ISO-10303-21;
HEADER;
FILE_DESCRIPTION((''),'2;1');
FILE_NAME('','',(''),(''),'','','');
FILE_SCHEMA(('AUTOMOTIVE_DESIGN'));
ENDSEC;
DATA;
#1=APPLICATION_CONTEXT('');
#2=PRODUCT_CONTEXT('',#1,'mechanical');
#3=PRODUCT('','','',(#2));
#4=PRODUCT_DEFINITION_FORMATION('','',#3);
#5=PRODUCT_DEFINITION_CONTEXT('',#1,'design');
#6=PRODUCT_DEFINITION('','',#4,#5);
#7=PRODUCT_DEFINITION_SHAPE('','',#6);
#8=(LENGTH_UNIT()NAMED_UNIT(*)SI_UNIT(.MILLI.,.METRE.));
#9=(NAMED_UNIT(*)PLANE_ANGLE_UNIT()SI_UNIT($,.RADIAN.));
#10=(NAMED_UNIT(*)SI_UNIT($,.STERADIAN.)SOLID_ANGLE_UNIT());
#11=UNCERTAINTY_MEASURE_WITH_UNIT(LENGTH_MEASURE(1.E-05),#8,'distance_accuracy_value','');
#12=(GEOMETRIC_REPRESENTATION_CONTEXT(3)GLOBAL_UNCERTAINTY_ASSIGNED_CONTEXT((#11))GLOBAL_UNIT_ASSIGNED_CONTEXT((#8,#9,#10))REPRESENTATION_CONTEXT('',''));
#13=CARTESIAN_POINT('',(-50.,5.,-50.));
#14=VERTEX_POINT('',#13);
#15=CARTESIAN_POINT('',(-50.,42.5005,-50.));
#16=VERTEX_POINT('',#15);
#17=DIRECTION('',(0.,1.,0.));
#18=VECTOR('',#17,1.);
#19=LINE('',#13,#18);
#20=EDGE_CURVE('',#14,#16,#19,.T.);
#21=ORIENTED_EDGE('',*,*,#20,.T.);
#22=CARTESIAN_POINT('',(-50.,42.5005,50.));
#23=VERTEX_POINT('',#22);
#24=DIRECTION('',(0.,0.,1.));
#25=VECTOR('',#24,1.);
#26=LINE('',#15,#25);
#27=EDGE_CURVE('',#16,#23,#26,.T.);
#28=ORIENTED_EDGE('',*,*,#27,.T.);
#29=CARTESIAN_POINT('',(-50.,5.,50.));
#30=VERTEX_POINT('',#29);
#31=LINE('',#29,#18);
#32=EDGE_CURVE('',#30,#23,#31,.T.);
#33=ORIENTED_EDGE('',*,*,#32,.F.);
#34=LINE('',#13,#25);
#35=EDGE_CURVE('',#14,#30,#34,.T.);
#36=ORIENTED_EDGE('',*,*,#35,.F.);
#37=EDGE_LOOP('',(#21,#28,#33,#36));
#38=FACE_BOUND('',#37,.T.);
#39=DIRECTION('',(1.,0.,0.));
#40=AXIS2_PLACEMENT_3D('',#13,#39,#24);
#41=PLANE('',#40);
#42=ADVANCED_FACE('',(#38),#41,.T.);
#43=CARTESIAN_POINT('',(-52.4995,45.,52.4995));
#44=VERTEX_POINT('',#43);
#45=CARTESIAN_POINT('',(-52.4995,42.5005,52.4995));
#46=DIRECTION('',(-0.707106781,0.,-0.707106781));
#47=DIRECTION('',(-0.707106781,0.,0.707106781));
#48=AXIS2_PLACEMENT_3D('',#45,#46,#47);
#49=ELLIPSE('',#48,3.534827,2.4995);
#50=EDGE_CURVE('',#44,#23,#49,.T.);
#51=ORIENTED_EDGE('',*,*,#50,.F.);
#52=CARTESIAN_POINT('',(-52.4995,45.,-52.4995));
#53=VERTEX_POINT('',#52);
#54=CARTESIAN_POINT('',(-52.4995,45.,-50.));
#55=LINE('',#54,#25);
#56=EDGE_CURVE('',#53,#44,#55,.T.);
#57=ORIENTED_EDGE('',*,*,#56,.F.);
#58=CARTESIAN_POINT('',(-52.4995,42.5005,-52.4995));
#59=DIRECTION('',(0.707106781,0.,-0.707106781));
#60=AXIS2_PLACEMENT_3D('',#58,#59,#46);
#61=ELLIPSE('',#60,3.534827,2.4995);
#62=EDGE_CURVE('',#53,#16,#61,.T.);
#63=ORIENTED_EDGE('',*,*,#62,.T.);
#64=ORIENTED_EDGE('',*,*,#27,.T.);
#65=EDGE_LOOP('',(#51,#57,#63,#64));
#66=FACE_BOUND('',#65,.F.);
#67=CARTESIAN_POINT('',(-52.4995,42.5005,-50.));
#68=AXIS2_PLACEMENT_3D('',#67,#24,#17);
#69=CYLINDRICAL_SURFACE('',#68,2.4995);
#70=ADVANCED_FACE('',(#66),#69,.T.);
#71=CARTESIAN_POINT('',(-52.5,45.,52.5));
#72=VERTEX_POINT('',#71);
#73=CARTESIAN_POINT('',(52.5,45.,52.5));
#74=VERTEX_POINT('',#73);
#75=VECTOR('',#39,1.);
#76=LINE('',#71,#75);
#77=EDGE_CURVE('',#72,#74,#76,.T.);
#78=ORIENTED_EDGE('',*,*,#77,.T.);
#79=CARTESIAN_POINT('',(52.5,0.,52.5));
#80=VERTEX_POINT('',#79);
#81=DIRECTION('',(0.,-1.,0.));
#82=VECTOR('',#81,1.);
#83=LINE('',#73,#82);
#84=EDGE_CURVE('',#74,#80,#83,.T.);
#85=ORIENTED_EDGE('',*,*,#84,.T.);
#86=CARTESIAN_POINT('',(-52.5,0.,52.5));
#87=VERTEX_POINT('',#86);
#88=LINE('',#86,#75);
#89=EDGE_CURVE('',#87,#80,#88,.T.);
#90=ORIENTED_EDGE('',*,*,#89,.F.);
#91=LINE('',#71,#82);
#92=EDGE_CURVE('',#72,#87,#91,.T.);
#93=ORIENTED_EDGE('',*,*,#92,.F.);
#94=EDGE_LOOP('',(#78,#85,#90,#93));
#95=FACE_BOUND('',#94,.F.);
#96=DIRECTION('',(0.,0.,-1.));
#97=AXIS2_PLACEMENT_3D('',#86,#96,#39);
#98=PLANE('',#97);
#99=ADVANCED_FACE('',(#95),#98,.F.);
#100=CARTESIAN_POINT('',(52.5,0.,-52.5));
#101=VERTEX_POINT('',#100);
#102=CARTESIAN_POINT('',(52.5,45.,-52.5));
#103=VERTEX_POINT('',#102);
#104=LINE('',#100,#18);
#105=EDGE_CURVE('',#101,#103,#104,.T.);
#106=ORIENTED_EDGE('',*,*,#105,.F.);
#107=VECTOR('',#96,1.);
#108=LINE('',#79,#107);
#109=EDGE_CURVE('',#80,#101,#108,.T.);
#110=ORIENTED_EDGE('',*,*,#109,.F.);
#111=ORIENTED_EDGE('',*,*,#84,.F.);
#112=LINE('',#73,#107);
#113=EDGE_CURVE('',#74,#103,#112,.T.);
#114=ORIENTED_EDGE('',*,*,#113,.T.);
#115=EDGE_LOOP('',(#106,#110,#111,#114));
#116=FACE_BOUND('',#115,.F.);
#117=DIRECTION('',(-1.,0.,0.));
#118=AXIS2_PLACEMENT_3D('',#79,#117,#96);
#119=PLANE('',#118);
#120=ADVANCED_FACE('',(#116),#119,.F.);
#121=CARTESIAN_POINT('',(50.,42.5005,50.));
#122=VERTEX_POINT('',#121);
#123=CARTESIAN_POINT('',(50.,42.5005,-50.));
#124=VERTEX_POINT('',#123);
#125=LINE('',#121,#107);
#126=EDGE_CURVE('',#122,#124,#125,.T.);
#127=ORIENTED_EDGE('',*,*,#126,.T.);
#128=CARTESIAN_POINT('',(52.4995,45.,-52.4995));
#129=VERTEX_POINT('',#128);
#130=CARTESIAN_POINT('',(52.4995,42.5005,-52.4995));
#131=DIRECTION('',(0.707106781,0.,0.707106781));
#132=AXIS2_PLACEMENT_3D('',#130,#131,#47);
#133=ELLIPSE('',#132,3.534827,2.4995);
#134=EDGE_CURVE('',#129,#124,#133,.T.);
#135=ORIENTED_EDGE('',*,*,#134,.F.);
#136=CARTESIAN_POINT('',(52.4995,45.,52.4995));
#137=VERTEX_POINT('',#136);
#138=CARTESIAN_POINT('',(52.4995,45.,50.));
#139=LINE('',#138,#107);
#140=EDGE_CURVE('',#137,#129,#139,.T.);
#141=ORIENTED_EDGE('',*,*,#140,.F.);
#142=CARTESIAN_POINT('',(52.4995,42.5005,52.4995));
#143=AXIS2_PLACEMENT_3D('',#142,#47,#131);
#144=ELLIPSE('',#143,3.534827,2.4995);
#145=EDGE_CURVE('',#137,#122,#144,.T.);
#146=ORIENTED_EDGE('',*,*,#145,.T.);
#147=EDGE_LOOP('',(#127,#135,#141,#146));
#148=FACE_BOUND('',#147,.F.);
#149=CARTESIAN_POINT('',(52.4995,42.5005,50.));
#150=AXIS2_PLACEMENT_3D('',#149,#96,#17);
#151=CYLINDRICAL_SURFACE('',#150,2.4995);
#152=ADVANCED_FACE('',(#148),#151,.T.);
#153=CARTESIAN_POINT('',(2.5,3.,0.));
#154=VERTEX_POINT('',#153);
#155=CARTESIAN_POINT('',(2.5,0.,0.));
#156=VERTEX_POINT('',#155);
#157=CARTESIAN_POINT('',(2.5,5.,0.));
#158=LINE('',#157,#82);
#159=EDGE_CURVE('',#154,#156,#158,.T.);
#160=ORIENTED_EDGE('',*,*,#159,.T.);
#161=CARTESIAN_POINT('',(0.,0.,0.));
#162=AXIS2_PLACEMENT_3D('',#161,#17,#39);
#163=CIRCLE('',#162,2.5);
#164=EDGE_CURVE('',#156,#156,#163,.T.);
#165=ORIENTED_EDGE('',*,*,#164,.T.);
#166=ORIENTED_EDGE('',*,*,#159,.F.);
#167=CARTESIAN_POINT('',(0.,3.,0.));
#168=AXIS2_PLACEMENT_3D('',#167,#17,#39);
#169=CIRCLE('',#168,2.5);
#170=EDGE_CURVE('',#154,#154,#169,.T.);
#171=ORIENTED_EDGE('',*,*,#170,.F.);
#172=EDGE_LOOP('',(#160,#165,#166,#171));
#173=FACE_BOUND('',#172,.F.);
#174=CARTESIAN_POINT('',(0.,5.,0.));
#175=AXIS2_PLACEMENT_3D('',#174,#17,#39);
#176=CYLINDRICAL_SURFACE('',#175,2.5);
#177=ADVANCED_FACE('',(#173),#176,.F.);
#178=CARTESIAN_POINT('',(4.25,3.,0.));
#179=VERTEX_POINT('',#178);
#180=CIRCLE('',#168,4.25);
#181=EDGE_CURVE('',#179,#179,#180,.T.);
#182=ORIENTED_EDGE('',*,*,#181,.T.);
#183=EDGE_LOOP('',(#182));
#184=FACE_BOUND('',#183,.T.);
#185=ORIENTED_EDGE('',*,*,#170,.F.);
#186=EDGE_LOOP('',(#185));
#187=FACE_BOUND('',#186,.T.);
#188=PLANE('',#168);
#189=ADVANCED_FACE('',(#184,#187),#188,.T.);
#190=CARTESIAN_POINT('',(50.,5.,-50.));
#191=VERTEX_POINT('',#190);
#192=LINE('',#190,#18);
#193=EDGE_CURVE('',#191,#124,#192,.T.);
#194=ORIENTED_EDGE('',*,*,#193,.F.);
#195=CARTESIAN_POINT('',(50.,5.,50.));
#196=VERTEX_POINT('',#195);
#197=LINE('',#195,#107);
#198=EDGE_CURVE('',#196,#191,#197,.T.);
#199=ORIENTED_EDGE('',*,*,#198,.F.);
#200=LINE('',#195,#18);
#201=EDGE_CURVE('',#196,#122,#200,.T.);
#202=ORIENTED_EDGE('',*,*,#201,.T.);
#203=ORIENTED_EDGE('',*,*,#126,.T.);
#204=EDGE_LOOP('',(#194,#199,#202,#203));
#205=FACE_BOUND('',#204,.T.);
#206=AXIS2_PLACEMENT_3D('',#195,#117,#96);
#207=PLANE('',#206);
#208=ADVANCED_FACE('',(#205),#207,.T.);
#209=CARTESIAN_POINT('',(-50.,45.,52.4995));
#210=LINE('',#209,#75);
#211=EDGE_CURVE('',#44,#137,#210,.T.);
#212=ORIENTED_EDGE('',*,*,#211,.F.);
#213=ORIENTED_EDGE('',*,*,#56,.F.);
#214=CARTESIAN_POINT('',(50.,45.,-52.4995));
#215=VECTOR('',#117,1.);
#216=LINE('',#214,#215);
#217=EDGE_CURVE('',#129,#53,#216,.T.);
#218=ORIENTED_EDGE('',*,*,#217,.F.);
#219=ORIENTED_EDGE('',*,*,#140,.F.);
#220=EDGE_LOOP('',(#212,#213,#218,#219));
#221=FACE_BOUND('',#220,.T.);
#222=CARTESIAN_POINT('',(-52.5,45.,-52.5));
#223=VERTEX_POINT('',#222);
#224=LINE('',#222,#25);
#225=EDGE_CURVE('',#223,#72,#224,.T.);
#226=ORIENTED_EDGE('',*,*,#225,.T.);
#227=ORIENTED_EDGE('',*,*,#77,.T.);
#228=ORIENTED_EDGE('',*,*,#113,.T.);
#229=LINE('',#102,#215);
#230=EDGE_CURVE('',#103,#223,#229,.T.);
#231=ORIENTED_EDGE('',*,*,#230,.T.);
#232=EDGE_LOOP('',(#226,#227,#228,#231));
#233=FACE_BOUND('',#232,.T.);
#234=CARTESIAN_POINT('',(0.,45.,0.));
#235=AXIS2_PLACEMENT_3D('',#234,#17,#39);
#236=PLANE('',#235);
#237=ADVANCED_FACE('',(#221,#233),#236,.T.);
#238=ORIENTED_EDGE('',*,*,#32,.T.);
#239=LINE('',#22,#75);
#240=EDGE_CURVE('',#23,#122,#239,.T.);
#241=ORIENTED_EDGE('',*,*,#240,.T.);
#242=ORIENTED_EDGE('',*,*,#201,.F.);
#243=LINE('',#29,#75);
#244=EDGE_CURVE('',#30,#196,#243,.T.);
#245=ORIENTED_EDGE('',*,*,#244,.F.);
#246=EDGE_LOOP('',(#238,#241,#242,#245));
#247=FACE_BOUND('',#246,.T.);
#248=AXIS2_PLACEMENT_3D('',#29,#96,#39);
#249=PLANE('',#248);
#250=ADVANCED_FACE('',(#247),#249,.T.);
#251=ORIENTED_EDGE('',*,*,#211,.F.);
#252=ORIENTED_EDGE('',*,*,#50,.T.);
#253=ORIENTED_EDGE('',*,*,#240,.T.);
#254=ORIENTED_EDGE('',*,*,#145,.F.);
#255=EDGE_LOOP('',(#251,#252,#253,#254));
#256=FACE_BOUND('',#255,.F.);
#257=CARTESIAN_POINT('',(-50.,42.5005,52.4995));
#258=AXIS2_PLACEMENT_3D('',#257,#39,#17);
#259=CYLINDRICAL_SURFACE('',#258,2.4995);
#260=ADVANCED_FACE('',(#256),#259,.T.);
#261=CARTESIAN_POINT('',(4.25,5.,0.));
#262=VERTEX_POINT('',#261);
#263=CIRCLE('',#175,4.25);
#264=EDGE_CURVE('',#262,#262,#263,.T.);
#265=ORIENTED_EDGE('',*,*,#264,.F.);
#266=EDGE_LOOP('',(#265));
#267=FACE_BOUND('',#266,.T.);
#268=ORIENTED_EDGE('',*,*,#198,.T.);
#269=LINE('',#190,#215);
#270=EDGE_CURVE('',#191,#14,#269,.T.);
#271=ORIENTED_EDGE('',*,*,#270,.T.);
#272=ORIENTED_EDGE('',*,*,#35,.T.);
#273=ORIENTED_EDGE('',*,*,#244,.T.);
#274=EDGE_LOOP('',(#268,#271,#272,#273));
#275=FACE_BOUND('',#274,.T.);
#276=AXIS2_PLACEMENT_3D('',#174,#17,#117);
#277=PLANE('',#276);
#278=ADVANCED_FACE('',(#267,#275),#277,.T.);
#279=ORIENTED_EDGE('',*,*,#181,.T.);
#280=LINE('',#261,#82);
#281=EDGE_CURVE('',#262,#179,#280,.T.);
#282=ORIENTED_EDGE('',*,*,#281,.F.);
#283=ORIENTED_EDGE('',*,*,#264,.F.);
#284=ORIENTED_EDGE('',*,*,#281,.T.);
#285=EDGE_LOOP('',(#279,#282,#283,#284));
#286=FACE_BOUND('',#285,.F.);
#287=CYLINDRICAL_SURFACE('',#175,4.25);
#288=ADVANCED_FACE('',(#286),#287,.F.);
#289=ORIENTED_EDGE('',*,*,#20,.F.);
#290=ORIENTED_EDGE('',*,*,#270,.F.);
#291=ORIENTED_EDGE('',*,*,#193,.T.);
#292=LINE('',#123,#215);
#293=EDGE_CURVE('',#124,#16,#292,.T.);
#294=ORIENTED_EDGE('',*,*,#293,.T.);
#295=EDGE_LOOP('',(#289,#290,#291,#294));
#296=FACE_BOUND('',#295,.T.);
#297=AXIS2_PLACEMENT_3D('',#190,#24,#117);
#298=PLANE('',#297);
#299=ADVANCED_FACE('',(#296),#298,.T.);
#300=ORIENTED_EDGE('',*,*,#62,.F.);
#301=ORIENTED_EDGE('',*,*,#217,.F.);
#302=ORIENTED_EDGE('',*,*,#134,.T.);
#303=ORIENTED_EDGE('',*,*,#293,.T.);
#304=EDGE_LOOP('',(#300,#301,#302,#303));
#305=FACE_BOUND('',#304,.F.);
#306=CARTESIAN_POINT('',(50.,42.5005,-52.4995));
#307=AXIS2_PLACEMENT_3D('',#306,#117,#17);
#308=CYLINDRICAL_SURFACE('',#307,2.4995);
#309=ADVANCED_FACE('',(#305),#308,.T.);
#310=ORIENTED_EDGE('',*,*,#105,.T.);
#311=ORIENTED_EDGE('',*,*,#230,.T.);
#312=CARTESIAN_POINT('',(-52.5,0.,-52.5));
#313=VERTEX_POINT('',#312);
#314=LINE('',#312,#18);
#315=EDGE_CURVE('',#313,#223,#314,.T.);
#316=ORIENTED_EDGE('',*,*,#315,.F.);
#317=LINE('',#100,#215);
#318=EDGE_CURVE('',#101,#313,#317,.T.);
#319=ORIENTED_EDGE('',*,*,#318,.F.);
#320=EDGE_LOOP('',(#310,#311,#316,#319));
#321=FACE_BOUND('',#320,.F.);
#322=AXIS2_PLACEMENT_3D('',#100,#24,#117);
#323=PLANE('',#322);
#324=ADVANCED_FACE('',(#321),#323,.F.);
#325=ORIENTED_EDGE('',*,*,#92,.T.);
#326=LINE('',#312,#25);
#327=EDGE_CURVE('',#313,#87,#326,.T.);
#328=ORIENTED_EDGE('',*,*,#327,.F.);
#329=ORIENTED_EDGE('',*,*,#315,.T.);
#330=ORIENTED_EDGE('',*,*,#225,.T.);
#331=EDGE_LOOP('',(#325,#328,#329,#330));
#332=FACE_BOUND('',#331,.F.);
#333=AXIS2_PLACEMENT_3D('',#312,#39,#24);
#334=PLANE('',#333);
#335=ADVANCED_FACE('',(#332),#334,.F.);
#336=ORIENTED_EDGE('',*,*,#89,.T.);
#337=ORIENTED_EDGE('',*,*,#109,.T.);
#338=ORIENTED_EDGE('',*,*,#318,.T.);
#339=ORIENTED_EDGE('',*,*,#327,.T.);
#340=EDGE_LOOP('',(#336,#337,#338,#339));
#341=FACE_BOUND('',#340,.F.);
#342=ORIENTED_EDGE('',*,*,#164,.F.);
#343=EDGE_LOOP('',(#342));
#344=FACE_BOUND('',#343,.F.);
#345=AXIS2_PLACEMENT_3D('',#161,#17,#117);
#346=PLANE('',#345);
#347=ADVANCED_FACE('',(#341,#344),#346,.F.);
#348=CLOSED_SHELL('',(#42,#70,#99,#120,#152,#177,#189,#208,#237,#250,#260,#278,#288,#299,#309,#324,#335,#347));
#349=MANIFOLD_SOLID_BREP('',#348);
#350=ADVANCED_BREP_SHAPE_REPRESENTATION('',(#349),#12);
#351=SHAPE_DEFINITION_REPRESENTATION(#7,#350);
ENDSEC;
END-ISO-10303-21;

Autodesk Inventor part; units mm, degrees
ref_plane "YZ Plane" through (0, 0, 0) normal (1, 0, 0) x (0, 1, 0)
ref_plane "XZ Plane" through (0, 0, 0) normal (0, 1, 0) x (-1, 0, 0)
ref_plane "XY Plane" through (0, 0, 0) normal (0, 0, 1) x (1, 0, 0)
sketch "Sketch1" plane through (0, 0, 0) normal (0, 1, 0) x (-1, 0, 0)
  line L0 (-52.5, -52.5) -> (52.5, -52.5)
  line L1 (52.5, -52.5) -> (52.5, 52.5)
  line L2 (52.5, 52.5) -> (-52.5, 52.5)
  line L3 (-52.5, 52.5) -> (-52.5, -52.5)
  line L4 (-52.5, -52.5) -> (52.5, 52.5) construction
  line L5 (52.5, -52.5) -> (-52.5, 52.5) construction
  point P0 (0, 0)
extrude "Extrusion1" add sketch "Sketch1" along normal blind 5
sketch "Sketch4" plane through (0, 5, 0) normal (0, 1, 0) x (1, 0, 0)
  line L0 (-52.5, 52.5) -> (-52.5, -52.5) projected
  line L1 (52.5, 52.5) -> (-52.5, 52.5)
  line L2 (-52.5, 52.5) -> (-52.5, -52.5)
  line L3 (-52.5, -52.5) -> (52.5, -52.5)
  line L4 (52.5, -52.5) -> (52.5, 52.5)
  line L5 (52.5, 52.5) -> (-52.5, -52.5) construction
  line L6 (-52.5, 52.5) -> (52.5, -52.5) construction
  line L7 (50, 50) -> (-50, 50)
  line L8 (-50, 50) -> (-50, -50)
  line L9 (-50, -50) -> (50, -50)
  line L10 (50, -50) -> (50, 50)
  line L11 (50, 50) -> (-50, -50) construction
  line L12 (-50, 50) -> (50, -50) construction
  line L13 (52.5, 52.5) -> (-52.5, 52.5)
  line L14 (-52.5, 52.5) -> (-52.5, -52.5)
  line L15 (-52.5, -52.5) -> (52.5, -52.5)
  line L16 (52.5, -52.5) -> (52.5, 52.5)
  line L17 (52.5, 52.5) -> (-52.5, -52.5) construction
  line L18 (-52.5, 52.5) -> (52.5, -52.5) construction
  point P0 (0, 0)
extrude "Extrusion2" add sketch "Sketch4" along normal blind 40
fillet "Fillet1" radius 2.5 4 edges at (0, 45, -50) (-50, 45, 0) (0, 45, 50) (50, 45, 0)
sketch "Sketch5" plane through (0, 5, 0) normal (0, 1, 0) x (1, 0, 0)
  circle A0 centre (0, 0) radius 2.5
  dimension "d12" = 5
extrude "Extrusion3" cut sketch "Sketch5" against normal blind 10
sketch "Sketch6" plane through (0, 5, 0) normal (0, 1, 0) x (1, 0, 0)
  circle A0 centre (0, 0) radius 4.25
  dimension "d15" = 8.5
extrude "Extrusion4" cut sketch "Sketch6" against normal blind 2
properties part number "KwadratP"
